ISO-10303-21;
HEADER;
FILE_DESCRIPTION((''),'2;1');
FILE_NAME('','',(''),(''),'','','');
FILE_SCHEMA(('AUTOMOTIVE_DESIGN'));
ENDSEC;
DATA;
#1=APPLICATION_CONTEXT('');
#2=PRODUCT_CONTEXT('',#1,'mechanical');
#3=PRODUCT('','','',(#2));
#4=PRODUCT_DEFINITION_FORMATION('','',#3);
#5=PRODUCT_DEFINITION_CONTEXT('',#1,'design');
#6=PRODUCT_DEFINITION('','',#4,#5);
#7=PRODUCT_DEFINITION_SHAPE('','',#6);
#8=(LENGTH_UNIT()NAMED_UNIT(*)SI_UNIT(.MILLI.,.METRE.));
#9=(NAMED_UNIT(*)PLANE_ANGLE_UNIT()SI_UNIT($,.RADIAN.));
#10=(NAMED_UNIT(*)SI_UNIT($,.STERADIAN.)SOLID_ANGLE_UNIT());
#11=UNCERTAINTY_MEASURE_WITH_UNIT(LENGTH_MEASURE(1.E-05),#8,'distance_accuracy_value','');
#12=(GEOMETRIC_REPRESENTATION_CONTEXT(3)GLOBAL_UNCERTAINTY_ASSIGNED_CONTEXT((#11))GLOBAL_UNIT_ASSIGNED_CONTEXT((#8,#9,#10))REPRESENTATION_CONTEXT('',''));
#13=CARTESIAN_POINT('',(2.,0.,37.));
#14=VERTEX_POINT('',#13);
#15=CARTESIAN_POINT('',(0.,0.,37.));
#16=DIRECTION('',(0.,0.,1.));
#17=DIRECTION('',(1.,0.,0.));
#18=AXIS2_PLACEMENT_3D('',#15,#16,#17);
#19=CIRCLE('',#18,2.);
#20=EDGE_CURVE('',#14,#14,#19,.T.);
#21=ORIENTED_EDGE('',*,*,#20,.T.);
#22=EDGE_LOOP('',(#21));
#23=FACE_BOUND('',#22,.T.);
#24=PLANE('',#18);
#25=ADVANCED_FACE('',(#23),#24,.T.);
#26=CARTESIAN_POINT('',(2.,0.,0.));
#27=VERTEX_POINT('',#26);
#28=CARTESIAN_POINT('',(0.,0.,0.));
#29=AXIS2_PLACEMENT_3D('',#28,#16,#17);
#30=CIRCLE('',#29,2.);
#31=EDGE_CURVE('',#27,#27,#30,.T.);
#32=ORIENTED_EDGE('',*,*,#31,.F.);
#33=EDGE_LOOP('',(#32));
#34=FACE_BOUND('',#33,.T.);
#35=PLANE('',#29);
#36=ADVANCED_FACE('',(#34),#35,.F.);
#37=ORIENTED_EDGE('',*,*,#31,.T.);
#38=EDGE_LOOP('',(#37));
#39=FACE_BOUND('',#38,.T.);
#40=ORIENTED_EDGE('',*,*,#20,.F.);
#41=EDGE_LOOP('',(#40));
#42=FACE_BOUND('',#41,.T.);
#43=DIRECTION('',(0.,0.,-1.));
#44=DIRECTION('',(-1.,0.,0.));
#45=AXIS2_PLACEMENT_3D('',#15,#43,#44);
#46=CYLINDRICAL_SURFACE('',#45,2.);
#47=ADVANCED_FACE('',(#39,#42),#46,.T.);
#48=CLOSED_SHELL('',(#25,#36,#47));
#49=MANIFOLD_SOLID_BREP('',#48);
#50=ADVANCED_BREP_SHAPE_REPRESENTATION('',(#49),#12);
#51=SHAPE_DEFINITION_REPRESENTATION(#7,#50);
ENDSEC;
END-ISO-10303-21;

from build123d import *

# Parameters (mm, degrees)
SCHIZZO1_R                   = 2
ESTRUSIONE_ESTRUSIONE1_DEPTH = 37


with BuildPart() as part:
    # Schizzo1 → Estrusione-Estrusione1 (new body)
    with BuildSketch(Plane.XY):
        Circle(SCHIZZO1_R)
    extrude(amount=ESTRUSIONE_ESTRUSIONE1_DEPTH)


solid = part.part
